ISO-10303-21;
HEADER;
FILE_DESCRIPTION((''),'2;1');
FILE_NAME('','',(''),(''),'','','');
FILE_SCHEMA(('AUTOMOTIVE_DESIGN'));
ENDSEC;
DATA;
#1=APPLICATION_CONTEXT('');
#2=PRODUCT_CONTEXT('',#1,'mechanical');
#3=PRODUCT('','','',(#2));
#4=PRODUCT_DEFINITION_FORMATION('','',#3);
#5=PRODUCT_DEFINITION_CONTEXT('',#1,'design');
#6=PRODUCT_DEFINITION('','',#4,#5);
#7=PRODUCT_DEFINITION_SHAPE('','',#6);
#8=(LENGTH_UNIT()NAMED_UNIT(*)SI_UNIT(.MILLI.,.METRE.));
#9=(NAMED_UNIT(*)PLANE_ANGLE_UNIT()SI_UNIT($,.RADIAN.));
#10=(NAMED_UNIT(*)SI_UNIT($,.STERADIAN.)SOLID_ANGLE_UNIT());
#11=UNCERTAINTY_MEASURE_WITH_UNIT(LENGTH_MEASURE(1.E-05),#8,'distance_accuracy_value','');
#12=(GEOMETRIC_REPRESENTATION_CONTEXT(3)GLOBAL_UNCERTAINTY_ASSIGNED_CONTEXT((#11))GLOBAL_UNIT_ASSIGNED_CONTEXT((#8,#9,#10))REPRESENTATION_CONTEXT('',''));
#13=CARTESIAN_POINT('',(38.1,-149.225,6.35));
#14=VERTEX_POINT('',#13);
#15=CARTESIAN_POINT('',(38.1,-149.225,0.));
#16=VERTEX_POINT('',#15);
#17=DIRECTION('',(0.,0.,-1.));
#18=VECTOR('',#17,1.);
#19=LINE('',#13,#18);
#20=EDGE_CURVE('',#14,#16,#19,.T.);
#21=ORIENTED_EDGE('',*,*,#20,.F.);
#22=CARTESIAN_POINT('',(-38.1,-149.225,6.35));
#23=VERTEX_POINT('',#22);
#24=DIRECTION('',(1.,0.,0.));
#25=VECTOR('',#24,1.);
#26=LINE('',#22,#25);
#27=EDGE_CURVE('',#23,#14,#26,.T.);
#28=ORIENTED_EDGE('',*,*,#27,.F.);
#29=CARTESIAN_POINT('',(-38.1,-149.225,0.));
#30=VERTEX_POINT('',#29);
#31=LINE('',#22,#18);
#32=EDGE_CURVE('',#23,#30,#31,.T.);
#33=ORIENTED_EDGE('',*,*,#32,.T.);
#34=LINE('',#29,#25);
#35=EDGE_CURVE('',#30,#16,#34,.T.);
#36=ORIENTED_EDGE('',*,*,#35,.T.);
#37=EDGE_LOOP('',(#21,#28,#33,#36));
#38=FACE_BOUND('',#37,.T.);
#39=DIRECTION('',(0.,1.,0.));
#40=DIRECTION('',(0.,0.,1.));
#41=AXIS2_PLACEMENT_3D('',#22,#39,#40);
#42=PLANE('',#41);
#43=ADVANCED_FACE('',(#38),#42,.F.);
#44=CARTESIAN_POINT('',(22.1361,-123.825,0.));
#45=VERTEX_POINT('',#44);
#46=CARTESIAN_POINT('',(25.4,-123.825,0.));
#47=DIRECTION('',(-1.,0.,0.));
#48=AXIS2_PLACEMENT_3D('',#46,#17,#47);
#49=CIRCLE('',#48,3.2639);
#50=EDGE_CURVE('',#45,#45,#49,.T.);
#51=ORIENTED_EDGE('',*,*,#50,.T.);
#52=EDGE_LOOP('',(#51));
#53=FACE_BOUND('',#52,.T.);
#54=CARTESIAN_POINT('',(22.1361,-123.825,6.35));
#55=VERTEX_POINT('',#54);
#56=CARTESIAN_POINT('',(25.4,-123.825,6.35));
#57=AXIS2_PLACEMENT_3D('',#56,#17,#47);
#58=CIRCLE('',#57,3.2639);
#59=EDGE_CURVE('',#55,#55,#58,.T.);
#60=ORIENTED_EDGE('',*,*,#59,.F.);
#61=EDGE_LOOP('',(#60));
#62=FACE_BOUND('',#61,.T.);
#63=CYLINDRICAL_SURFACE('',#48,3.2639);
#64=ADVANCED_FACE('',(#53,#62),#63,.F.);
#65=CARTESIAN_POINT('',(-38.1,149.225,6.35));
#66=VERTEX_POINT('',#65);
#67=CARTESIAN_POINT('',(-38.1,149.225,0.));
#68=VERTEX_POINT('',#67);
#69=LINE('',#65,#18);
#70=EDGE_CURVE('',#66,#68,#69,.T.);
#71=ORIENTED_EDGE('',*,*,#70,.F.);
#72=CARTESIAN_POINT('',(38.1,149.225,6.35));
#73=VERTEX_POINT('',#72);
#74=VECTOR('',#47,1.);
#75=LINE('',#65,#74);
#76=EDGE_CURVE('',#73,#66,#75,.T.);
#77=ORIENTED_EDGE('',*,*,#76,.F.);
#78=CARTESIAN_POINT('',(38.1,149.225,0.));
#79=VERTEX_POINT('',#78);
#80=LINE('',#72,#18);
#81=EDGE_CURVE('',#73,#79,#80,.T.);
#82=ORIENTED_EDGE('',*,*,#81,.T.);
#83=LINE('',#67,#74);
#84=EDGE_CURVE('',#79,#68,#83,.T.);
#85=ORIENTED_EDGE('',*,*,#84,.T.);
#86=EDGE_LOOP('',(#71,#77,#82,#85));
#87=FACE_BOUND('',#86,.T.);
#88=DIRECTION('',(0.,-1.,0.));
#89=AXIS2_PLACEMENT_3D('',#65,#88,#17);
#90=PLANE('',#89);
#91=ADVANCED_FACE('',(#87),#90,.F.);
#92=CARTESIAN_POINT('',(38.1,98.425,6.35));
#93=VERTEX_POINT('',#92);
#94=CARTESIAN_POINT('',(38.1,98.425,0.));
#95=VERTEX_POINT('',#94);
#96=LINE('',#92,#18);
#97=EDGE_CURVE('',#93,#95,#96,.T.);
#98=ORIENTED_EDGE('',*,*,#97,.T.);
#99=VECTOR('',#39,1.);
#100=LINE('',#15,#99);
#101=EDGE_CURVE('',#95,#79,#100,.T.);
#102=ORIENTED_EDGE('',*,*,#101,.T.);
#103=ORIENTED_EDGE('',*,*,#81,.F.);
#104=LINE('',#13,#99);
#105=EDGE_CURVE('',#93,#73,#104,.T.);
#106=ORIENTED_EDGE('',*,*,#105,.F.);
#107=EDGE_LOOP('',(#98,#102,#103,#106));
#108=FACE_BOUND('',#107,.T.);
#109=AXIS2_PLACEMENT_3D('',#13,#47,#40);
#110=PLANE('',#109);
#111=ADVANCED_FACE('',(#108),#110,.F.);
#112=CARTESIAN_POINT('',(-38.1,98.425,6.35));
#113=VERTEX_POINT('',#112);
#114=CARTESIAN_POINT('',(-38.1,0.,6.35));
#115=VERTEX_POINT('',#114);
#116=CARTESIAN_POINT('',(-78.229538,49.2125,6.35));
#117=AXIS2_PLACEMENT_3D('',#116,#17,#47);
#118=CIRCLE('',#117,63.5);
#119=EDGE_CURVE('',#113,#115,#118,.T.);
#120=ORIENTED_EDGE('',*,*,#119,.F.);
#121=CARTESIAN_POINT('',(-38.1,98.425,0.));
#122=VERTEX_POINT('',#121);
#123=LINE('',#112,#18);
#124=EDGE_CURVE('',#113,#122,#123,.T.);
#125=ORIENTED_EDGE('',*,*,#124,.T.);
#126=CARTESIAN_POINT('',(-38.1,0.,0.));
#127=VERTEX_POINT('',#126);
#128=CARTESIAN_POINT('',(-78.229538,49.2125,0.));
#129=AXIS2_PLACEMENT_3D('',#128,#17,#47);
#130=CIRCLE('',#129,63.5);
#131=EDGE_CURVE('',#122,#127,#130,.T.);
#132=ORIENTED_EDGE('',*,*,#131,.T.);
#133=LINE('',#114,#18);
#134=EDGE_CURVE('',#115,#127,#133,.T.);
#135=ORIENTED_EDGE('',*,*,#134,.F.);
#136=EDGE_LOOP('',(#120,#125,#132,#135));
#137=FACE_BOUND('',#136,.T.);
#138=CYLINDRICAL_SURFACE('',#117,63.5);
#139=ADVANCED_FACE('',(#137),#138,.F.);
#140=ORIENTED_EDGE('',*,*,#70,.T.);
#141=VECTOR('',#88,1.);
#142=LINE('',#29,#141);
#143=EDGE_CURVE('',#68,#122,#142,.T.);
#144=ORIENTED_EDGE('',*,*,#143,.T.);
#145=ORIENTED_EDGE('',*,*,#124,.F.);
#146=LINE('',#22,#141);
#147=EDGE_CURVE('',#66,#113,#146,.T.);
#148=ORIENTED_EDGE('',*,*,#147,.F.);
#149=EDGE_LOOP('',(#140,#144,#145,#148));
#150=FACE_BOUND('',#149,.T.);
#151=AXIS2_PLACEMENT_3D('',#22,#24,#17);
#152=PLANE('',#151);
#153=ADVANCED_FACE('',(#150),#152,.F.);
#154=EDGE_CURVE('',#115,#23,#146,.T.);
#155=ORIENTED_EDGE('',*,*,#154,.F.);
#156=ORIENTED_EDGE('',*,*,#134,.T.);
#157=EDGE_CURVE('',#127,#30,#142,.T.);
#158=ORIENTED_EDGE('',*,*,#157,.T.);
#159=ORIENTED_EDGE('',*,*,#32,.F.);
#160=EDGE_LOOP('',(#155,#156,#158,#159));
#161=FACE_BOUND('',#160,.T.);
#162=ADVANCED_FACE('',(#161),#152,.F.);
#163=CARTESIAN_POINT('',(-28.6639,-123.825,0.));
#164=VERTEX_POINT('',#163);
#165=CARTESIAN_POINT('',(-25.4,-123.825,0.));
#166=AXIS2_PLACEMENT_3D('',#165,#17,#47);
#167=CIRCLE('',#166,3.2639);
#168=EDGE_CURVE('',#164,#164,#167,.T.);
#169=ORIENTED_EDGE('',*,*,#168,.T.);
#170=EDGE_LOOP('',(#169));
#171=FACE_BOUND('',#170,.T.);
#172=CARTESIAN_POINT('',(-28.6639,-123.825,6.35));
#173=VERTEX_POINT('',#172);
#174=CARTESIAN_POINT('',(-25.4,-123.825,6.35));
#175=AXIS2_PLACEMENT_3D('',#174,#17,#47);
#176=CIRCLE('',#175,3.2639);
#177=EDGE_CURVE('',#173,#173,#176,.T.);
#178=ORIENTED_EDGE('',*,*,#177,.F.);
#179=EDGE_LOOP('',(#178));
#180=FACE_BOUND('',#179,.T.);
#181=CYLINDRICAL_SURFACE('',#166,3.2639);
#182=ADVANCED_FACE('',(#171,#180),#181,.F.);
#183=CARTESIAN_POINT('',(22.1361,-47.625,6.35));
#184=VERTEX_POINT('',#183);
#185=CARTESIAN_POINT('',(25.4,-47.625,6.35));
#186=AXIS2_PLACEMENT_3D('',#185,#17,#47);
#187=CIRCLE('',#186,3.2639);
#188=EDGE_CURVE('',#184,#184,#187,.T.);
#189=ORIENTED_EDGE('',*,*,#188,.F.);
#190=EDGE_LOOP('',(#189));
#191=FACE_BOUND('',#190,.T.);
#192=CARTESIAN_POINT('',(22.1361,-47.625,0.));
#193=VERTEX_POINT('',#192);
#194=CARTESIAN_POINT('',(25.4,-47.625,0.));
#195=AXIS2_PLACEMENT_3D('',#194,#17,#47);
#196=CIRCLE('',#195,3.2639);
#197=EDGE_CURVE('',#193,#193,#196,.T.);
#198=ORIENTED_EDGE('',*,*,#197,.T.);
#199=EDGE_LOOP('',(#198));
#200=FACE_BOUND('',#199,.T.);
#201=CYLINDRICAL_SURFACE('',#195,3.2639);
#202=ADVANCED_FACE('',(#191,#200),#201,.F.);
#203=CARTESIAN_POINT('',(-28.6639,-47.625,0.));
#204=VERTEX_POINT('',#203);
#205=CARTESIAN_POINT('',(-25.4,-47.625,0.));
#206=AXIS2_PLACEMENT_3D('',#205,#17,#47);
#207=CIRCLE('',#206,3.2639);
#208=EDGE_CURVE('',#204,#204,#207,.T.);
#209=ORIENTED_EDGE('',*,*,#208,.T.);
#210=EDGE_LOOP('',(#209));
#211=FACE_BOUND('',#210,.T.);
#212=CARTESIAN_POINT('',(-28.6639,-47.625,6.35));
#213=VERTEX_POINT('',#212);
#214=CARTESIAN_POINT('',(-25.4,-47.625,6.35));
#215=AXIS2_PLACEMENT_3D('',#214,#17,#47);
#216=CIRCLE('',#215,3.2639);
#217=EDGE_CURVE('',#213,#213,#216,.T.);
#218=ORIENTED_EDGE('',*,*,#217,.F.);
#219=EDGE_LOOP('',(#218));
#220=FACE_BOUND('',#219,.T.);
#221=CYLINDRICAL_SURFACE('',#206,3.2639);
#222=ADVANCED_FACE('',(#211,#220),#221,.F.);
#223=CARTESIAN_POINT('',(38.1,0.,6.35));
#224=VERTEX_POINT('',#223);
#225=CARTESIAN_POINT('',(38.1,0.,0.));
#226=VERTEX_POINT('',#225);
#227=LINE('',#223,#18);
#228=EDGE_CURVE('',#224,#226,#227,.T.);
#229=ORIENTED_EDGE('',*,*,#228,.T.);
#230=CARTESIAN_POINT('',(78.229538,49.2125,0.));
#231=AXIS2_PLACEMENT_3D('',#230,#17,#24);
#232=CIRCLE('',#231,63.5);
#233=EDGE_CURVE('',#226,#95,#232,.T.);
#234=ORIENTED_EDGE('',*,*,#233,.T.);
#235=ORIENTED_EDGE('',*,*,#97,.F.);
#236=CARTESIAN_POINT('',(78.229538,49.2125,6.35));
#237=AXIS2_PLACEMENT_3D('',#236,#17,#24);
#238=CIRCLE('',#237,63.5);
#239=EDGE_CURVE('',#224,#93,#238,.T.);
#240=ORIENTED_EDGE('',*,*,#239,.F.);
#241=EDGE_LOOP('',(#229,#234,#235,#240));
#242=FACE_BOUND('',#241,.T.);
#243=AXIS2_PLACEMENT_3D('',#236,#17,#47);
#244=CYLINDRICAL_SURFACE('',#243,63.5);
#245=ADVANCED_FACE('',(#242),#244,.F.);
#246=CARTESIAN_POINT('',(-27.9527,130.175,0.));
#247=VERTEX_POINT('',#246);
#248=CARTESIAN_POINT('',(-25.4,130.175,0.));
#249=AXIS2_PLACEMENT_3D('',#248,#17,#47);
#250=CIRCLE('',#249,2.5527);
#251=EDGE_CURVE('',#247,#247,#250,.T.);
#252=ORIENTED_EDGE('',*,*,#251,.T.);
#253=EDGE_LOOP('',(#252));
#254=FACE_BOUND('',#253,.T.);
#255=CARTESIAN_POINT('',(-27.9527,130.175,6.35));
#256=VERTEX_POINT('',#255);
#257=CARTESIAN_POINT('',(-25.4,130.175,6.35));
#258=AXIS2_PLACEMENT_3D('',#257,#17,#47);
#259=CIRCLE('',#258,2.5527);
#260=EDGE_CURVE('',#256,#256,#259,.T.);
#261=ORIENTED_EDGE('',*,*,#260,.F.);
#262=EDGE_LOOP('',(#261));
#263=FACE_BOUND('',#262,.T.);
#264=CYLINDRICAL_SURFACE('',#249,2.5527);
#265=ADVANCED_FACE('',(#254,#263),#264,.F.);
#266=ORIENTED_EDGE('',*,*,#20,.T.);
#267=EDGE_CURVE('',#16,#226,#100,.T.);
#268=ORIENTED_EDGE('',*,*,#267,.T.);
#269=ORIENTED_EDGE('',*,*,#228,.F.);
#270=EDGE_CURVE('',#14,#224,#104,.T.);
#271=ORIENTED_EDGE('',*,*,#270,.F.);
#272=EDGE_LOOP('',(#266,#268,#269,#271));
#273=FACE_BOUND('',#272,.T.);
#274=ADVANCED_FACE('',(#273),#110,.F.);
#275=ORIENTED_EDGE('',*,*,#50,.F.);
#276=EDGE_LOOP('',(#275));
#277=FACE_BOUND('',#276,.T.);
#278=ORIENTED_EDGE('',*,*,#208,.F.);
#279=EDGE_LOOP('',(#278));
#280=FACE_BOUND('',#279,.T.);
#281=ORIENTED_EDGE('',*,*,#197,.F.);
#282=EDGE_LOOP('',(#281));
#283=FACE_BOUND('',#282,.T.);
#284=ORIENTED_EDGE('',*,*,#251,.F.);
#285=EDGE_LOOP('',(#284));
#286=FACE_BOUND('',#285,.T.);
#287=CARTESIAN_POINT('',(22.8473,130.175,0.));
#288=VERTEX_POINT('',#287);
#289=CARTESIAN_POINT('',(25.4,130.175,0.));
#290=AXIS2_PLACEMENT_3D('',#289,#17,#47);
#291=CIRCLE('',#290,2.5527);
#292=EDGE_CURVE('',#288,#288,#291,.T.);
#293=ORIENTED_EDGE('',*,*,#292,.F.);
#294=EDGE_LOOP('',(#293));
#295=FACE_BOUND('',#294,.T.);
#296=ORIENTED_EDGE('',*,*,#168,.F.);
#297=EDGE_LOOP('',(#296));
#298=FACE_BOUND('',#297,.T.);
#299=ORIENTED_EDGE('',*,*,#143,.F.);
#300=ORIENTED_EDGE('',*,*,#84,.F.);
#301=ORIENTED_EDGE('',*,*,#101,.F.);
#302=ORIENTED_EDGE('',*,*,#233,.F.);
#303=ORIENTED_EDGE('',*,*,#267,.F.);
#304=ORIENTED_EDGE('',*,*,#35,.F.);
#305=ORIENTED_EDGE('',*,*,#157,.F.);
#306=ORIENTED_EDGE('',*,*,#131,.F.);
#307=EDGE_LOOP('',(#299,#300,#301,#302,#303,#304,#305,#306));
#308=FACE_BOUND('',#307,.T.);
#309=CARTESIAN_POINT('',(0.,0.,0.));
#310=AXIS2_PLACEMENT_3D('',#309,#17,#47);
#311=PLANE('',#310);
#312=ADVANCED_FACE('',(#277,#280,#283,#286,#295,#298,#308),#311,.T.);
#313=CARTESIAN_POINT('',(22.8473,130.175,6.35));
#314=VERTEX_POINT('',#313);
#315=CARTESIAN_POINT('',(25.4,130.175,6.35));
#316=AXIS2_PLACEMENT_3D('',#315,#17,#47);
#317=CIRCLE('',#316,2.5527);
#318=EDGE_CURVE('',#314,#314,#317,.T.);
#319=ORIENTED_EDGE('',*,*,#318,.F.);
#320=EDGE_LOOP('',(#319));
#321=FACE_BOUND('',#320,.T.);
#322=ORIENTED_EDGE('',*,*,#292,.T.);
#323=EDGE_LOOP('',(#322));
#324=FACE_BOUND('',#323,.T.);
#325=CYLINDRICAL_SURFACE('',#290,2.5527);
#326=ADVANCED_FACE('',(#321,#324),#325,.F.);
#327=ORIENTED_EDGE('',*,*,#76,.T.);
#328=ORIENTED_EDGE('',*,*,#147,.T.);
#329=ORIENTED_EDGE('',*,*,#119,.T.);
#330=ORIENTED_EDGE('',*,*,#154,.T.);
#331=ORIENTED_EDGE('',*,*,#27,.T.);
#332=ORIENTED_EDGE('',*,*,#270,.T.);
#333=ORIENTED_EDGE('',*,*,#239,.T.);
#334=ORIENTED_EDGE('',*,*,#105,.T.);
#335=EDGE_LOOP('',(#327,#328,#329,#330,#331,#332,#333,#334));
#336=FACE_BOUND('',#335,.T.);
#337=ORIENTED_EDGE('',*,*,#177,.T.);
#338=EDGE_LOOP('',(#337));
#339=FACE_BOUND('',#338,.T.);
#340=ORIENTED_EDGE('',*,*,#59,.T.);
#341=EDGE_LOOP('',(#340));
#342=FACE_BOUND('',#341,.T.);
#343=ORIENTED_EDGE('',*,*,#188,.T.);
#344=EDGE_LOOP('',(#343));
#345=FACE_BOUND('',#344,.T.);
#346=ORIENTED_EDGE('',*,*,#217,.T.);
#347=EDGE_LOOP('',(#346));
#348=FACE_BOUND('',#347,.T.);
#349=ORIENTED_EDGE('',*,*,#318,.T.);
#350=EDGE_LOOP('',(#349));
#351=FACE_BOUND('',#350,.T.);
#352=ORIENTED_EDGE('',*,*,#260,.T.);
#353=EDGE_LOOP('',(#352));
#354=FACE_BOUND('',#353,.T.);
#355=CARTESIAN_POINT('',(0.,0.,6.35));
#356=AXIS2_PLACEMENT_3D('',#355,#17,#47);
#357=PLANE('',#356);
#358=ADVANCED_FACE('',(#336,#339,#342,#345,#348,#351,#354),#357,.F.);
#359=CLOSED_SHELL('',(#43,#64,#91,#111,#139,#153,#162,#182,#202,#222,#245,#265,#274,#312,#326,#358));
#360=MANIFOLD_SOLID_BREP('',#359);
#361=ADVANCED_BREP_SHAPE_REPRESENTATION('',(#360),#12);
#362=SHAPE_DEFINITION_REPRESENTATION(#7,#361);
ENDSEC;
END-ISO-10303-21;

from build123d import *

# Parameters (mm, degrees)
SKETCH1_W                   = 76.2
SKETCH1_H                   = 298.45
BOSS_EXTRUDE1_DEPTH         = 6.35
F_1_4_20_TAPPED_HOLE1_D     = 5.1054
F_1_4_20_TAPPED_HOLE1_DEPTH = 6.35
CUT_EXTRUDE1_DEPTH          = 7.35
F_0_257_DIAMETER_HOLE1_D    = 6.5278


with BuildPart() as part:
    # Sketch1 → Boss-Extrude1 (new body)
    with BuildSketch(Plane.XY):
        Rectangle(SKETCH1_W, SKETCH1_H)
    extrude(amount=BOSS_EXTRUDE1_DEPTH)

    # 1/4-20 Tapped Hole1
    with Locations(Plane(origin=(0, 0, 0), x_dir=(-1, 0, 0), z_dir=(0, 0, -1))):
        with Locations((-25.4, 130.175), (25.4, 130.175), (25.4, -47.625), (25.4, -123.825), (-25.4, -123.825), (-25.4, -47.625)):
            Hole(F_1_4_20_TAPPED_HOLE1_D / 2, depth=F_1_4_20_TAPPED_HOLE1_DEPTH)

    # Sketch6 → Cut-Extrude1 (cut, through all)
    with BuildSketch(Plane(origin=(0, 0, 0), x_dir=(-1, 0, 0), z_dir=(0, 0, -1))):
        with BuildLine():
            Line((-38.1, 98.425), (-38.1, 0))
            ThreePointArc((-38.1, 0), (-14.729538295, 49.2125), (-38.1, 98.425))
        make_face()
        with BuildLine():
            Line((38.1, 98.425), (38.1, 0))
            ThreePointArc((38.1, 0), (14.729538295, 49.2125), (38.1, 98.425))
        make_face()
    extrude(amount=-CUT_EXTRUDE1_DEPTH, mode=Mode.SUBTRACT)

    # F (0.257) Diameter Hole1 (through all)
    with Locations(Plane(origin=(0, 0, 0), x_dir=(-1, 0, 0), z_dir=(0, 0, -1))):
        with Locations((-25.4, -47.625), (25.4, -47.625), (25.4, -123.825), (-25.4, -123.825)):
            Hole(F_0_257_DIAMETER_HOLE1_D / 2)


solid = part.part
